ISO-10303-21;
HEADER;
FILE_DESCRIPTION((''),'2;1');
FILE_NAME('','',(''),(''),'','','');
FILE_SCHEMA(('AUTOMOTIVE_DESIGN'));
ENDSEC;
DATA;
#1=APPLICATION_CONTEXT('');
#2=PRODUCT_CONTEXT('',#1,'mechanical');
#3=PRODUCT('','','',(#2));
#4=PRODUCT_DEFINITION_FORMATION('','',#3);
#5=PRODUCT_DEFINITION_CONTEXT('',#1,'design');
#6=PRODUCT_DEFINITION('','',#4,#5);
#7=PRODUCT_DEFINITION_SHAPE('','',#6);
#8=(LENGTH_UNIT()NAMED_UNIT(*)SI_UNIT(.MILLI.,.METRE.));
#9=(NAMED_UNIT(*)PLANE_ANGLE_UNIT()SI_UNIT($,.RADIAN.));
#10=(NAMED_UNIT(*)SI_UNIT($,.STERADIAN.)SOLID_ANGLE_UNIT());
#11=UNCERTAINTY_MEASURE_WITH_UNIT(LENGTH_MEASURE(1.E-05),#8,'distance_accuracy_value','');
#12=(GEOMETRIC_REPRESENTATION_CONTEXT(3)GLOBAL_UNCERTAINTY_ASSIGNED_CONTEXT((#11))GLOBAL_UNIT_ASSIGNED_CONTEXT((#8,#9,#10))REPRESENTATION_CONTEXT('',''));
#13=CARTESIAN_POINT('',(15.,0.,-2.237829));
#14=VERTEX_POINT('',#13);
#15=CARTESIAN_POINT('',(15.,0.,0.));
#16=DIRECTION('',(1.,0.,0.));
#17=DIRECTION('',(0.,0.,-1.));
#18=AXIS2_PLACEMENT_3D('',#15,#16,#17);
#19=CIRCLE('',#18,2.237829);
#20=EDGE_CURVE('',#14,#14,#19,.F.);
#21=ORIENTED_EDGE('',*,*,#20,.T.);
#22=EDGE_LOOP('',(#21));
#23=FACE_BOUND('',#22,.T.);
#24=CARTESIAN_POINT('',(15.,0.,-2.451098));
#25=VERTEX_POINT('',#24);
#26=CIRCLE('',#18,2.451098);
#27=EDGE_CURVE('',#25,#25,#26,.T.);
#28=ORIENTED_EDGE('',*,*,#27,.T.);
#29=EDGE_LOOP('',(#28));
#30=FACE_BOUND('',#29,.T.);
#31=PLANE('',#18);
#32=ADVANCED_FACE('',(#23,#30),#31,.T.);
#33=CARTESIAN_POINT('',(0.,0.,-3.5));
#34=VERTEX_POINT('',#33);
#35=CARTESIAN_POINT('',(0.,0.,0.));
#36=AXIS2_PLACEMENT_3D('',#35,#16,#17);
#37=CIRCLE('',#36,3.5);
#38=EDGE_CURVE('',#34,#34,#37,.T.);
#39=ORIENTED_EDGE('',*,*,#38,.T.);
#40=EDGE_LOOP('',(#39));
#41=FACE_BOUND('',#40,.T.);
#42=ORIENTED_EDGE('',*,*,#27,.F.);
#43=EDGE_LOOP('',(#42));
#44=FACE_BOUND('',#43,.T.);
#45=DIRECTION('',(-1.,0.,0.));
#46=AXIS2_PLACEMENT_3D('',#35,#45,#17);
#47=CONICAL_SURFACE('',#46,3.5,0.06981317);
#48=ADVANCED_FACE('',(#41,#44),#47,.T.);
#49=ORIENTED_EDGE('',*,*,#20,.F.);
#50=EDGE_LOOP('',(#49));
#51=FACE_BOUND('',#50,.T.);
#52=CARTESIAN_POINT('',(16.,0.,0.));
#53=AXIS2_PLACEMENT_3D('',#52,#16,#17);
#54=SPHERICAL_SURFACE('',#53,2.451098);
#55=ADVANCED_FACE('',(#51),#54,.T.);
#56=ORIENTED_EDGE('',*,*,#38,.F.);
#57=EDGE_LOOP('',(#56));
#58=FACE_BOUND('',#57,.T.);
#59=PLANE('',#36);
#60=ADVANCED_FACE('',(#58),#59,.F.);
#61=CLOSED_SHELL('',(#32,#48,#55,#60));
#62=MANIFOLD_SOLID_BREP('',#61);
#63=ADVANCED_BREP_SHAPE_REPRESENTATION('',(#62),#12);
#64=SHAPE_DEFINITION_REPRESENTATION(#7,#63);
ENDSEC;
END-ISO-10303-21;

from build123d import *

# Parameters (mm, degrees)
SKETCH1_R           = 3.5
BOSS_EXTRUDE1_DEPTH = 15
BOSS_EXTRUDE1_TAPER = 4


with BuildPart() as part:
    # Sketch1 → Boss-Extrude1 (new body)
    with BuildSketch(Plane(origin=(0, 0, 0), x_dir=(0, 0, -1), z_dir=(1, 0, 0))):
        Circle(SKETCH1_R)
    extrude(amount=BOSS_EXTRUDE1_DEPTH, taper=BOSS_EXTRUDE1_TAPER)

    # Sketch2 → Revolve1 (revolve)
    with BuildSketch(Plane(origin=(16, 0, 0), x_dir=(0, 0, -1), z_dir=(1, 0, 0))):
        with BuildLine():
            Line((0, 2.451097821), (0, -2.451097821))
            ThreePointArc((0, -2.451097821), (2.451097821, 0), (0, 2.451097821))
        make_face()
    revolve(axis=Axis((16, 2.451097821, 0), (0, -1, 0)))


solid = part.part
